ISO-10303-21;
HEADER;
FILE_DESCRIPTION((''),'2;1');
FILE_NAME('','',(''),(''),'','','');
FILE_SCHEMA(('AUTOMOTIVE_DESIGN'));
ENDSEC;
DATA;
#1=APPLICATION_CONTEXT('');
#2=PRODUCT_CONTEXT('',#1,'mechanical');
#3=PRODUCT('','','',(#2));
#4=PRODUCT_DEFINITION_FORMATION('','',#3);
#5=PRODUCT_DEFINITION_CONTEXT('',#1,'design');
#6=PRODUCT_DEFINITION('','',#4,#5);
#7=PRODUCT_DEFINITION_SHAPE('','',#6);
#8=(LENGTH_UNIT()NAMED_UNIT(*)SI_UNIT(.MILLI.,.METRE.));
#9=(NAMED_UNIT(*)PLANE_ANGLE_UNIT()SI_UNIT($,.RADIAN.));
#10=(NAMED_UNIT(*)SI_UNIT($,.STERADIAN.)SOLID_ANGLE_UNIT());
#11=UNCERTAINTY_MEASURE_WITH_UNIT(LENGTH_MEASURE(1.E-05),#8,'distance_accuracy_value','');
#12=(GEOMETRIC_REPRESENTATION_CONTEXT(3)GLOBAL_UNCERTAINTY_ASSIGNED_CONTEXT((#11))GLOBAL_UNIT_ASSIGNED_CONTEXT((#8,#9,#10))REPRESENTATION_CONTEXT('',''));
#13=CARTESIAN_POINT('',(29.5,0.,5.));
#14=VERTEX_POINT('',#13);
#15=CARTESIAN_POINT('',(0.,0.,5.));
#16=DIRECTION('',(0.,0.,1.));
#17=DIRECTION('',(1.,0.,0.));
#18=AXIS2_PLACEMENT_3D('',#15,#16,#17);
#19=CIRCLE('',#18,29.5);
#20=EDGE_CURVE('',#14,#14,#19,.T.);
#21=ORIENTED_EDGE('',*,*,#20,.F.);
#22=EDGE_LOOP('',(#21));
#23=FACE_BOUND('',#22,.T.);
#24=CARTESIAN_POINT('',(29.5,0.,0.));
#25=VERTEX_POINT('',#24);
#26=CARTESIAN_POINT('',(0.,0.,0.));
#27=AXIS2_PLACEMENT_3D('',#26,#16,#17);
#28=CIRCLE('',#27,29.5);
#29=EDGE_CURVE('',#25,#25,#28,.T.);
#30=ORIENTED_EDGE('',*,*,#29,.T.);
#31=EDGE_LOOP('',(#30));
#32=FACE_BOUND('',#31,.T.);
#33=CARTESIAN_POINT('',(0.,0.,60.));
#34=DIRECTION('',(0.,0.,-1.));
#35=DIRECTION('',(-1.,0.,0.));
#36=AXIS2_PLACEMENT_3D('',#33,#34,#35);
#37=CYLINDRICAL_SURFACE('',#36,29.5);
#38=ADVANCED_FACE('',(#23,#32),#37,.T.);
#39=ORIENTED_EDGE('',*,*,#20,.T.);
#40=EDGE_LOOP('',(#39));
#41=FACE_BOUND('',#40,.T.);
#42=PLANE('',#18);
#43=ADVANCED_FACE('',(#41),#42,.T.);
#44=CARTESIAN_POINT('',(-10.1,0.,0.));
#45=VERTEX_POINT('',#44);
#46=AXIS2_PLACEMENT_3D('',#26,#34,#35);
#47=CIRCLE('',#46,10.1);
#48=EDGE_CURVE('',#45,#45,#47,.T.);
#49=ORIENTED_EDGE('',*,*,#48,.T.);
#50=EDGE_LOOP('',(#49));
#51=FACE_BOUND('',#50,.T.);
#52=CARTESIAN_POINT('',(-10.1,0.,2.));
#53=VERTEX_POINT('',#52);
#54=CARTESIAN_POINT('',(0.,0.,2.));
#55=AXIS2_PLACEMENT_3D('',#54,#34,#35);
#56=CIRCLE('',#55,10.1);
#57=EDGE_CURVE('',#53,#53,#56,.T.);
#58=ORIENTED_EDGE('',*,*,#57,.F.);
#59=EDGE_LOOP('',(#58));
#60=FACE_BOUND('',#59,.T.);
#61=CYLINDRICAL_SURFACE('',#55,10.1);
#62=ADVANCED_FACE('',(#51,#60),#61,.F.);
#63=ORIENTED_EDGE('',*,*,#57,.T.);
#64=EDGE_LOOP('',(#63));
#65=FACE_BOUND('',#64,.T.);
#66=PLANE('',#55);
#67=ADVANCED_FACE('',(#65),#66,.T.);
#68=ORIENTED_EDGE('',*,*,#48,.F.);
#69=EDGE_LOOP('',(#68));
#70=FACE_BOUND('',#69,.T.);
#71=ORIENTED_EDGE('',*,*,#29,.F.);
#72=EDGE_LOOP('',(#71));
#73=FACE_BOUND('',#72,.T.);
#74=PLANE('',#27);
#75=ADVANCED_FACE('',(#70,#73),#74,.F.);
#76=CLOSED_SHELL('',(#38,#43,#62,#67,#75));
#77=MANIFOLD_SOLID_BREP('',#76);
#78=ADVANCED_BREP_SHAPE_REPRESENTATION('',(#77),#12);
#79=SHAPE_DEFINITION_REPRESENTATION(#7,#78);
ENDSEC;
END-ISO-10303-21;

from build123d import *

# Parameters (mm, degrees)
SKETCH2_R           = 29.5
BOSS_EXTRUDE1_DEPTH = 60
CUT_REVOLVE1_ANGLE  = 180
CUT_EXTRUDE1_REACH  = 12
SKETCH5_W           = 91.768804765
SKETCH5_H           = 88.75511019
SKETCH6_R           = 10.1
CUT_EXTRUDE2_DEPTH  = 2
SKETCH7_W           = 64.282541495
SKETCH7_H           = 65.701050647
CUT_EXTRUDE3_DEPTH  = 45


with BuildPart() as part:
    # Sketch2 → Boss-Extrude1 (new body)
    with BuildSketch(Plane.XY):
        Circle(SKETCH2_R)
    extrude(amount=BOSS_EXTRUDE1_DEPTH)

    # Sketch4 → Cut-Revolve1 (revolve, cut)
    with BuildSketch(Plane.XY.offset(55)):
        with BuildLine():
            Line((-16.25, 0), (16.25, 0))
            ThreePointArc((16.25, 0), (0, 16.25), (-16.25, 0))
        make_face()
    revolve(axis=Axis((-16.25, 0, 55), (-1, 0, 0)), revolution_arc=CUT_REVOLVE1_ANGLE, mode=Mode.SUBTRACT)

    # Sketch5 → Cut-Extrude1 (cut, up to next)
    with BuildSketch(Plane.XY.offset(50), mode=Mode.PRIVATE) as cut_extrude1_sk1:
        with Locations((1.214417884, -2.093280901)):
            Rectangle(SKETCH5_W, SKETCH5_H)
    cut_extrude1_tool1 = extrude(cut_extrude1_sk1.sketch, amount=CUT_EXTRUDE1_REACH, mode=Mode.PRIVATE) & part.part
    add(cut_extrude1_tool1.solids().sort_by_distance((1.214418, -2.093281, 50))[0], mode=Mode.SUBTRACT)

    # Sketch6 → Cut-Extrude2 (cut)
    with BuildSketch(Plane(origin=(0, 0, 0), x_dir=(-1, 0, 0), z_dir=(0, 0, -1))):
        Circle(SKETCH6_R)
    extrude(amount=-CUT_EXTRUDE2_DEPTH, mode=Mode.SUBTRACT)

    # Sketch7 → Cut-Extrude3 (cut)
    with BuildSketch(Plane.XY.offset(50)):
        with Locations((0.667192443, 0.630931985)):
            Rectangle(SKETCH7_W, SKETCH7_H)
    extrude(amount=-CUT_EXTRUDE3_DEPTH, mode=Mode.SUBTRACT)


solid = part.part
